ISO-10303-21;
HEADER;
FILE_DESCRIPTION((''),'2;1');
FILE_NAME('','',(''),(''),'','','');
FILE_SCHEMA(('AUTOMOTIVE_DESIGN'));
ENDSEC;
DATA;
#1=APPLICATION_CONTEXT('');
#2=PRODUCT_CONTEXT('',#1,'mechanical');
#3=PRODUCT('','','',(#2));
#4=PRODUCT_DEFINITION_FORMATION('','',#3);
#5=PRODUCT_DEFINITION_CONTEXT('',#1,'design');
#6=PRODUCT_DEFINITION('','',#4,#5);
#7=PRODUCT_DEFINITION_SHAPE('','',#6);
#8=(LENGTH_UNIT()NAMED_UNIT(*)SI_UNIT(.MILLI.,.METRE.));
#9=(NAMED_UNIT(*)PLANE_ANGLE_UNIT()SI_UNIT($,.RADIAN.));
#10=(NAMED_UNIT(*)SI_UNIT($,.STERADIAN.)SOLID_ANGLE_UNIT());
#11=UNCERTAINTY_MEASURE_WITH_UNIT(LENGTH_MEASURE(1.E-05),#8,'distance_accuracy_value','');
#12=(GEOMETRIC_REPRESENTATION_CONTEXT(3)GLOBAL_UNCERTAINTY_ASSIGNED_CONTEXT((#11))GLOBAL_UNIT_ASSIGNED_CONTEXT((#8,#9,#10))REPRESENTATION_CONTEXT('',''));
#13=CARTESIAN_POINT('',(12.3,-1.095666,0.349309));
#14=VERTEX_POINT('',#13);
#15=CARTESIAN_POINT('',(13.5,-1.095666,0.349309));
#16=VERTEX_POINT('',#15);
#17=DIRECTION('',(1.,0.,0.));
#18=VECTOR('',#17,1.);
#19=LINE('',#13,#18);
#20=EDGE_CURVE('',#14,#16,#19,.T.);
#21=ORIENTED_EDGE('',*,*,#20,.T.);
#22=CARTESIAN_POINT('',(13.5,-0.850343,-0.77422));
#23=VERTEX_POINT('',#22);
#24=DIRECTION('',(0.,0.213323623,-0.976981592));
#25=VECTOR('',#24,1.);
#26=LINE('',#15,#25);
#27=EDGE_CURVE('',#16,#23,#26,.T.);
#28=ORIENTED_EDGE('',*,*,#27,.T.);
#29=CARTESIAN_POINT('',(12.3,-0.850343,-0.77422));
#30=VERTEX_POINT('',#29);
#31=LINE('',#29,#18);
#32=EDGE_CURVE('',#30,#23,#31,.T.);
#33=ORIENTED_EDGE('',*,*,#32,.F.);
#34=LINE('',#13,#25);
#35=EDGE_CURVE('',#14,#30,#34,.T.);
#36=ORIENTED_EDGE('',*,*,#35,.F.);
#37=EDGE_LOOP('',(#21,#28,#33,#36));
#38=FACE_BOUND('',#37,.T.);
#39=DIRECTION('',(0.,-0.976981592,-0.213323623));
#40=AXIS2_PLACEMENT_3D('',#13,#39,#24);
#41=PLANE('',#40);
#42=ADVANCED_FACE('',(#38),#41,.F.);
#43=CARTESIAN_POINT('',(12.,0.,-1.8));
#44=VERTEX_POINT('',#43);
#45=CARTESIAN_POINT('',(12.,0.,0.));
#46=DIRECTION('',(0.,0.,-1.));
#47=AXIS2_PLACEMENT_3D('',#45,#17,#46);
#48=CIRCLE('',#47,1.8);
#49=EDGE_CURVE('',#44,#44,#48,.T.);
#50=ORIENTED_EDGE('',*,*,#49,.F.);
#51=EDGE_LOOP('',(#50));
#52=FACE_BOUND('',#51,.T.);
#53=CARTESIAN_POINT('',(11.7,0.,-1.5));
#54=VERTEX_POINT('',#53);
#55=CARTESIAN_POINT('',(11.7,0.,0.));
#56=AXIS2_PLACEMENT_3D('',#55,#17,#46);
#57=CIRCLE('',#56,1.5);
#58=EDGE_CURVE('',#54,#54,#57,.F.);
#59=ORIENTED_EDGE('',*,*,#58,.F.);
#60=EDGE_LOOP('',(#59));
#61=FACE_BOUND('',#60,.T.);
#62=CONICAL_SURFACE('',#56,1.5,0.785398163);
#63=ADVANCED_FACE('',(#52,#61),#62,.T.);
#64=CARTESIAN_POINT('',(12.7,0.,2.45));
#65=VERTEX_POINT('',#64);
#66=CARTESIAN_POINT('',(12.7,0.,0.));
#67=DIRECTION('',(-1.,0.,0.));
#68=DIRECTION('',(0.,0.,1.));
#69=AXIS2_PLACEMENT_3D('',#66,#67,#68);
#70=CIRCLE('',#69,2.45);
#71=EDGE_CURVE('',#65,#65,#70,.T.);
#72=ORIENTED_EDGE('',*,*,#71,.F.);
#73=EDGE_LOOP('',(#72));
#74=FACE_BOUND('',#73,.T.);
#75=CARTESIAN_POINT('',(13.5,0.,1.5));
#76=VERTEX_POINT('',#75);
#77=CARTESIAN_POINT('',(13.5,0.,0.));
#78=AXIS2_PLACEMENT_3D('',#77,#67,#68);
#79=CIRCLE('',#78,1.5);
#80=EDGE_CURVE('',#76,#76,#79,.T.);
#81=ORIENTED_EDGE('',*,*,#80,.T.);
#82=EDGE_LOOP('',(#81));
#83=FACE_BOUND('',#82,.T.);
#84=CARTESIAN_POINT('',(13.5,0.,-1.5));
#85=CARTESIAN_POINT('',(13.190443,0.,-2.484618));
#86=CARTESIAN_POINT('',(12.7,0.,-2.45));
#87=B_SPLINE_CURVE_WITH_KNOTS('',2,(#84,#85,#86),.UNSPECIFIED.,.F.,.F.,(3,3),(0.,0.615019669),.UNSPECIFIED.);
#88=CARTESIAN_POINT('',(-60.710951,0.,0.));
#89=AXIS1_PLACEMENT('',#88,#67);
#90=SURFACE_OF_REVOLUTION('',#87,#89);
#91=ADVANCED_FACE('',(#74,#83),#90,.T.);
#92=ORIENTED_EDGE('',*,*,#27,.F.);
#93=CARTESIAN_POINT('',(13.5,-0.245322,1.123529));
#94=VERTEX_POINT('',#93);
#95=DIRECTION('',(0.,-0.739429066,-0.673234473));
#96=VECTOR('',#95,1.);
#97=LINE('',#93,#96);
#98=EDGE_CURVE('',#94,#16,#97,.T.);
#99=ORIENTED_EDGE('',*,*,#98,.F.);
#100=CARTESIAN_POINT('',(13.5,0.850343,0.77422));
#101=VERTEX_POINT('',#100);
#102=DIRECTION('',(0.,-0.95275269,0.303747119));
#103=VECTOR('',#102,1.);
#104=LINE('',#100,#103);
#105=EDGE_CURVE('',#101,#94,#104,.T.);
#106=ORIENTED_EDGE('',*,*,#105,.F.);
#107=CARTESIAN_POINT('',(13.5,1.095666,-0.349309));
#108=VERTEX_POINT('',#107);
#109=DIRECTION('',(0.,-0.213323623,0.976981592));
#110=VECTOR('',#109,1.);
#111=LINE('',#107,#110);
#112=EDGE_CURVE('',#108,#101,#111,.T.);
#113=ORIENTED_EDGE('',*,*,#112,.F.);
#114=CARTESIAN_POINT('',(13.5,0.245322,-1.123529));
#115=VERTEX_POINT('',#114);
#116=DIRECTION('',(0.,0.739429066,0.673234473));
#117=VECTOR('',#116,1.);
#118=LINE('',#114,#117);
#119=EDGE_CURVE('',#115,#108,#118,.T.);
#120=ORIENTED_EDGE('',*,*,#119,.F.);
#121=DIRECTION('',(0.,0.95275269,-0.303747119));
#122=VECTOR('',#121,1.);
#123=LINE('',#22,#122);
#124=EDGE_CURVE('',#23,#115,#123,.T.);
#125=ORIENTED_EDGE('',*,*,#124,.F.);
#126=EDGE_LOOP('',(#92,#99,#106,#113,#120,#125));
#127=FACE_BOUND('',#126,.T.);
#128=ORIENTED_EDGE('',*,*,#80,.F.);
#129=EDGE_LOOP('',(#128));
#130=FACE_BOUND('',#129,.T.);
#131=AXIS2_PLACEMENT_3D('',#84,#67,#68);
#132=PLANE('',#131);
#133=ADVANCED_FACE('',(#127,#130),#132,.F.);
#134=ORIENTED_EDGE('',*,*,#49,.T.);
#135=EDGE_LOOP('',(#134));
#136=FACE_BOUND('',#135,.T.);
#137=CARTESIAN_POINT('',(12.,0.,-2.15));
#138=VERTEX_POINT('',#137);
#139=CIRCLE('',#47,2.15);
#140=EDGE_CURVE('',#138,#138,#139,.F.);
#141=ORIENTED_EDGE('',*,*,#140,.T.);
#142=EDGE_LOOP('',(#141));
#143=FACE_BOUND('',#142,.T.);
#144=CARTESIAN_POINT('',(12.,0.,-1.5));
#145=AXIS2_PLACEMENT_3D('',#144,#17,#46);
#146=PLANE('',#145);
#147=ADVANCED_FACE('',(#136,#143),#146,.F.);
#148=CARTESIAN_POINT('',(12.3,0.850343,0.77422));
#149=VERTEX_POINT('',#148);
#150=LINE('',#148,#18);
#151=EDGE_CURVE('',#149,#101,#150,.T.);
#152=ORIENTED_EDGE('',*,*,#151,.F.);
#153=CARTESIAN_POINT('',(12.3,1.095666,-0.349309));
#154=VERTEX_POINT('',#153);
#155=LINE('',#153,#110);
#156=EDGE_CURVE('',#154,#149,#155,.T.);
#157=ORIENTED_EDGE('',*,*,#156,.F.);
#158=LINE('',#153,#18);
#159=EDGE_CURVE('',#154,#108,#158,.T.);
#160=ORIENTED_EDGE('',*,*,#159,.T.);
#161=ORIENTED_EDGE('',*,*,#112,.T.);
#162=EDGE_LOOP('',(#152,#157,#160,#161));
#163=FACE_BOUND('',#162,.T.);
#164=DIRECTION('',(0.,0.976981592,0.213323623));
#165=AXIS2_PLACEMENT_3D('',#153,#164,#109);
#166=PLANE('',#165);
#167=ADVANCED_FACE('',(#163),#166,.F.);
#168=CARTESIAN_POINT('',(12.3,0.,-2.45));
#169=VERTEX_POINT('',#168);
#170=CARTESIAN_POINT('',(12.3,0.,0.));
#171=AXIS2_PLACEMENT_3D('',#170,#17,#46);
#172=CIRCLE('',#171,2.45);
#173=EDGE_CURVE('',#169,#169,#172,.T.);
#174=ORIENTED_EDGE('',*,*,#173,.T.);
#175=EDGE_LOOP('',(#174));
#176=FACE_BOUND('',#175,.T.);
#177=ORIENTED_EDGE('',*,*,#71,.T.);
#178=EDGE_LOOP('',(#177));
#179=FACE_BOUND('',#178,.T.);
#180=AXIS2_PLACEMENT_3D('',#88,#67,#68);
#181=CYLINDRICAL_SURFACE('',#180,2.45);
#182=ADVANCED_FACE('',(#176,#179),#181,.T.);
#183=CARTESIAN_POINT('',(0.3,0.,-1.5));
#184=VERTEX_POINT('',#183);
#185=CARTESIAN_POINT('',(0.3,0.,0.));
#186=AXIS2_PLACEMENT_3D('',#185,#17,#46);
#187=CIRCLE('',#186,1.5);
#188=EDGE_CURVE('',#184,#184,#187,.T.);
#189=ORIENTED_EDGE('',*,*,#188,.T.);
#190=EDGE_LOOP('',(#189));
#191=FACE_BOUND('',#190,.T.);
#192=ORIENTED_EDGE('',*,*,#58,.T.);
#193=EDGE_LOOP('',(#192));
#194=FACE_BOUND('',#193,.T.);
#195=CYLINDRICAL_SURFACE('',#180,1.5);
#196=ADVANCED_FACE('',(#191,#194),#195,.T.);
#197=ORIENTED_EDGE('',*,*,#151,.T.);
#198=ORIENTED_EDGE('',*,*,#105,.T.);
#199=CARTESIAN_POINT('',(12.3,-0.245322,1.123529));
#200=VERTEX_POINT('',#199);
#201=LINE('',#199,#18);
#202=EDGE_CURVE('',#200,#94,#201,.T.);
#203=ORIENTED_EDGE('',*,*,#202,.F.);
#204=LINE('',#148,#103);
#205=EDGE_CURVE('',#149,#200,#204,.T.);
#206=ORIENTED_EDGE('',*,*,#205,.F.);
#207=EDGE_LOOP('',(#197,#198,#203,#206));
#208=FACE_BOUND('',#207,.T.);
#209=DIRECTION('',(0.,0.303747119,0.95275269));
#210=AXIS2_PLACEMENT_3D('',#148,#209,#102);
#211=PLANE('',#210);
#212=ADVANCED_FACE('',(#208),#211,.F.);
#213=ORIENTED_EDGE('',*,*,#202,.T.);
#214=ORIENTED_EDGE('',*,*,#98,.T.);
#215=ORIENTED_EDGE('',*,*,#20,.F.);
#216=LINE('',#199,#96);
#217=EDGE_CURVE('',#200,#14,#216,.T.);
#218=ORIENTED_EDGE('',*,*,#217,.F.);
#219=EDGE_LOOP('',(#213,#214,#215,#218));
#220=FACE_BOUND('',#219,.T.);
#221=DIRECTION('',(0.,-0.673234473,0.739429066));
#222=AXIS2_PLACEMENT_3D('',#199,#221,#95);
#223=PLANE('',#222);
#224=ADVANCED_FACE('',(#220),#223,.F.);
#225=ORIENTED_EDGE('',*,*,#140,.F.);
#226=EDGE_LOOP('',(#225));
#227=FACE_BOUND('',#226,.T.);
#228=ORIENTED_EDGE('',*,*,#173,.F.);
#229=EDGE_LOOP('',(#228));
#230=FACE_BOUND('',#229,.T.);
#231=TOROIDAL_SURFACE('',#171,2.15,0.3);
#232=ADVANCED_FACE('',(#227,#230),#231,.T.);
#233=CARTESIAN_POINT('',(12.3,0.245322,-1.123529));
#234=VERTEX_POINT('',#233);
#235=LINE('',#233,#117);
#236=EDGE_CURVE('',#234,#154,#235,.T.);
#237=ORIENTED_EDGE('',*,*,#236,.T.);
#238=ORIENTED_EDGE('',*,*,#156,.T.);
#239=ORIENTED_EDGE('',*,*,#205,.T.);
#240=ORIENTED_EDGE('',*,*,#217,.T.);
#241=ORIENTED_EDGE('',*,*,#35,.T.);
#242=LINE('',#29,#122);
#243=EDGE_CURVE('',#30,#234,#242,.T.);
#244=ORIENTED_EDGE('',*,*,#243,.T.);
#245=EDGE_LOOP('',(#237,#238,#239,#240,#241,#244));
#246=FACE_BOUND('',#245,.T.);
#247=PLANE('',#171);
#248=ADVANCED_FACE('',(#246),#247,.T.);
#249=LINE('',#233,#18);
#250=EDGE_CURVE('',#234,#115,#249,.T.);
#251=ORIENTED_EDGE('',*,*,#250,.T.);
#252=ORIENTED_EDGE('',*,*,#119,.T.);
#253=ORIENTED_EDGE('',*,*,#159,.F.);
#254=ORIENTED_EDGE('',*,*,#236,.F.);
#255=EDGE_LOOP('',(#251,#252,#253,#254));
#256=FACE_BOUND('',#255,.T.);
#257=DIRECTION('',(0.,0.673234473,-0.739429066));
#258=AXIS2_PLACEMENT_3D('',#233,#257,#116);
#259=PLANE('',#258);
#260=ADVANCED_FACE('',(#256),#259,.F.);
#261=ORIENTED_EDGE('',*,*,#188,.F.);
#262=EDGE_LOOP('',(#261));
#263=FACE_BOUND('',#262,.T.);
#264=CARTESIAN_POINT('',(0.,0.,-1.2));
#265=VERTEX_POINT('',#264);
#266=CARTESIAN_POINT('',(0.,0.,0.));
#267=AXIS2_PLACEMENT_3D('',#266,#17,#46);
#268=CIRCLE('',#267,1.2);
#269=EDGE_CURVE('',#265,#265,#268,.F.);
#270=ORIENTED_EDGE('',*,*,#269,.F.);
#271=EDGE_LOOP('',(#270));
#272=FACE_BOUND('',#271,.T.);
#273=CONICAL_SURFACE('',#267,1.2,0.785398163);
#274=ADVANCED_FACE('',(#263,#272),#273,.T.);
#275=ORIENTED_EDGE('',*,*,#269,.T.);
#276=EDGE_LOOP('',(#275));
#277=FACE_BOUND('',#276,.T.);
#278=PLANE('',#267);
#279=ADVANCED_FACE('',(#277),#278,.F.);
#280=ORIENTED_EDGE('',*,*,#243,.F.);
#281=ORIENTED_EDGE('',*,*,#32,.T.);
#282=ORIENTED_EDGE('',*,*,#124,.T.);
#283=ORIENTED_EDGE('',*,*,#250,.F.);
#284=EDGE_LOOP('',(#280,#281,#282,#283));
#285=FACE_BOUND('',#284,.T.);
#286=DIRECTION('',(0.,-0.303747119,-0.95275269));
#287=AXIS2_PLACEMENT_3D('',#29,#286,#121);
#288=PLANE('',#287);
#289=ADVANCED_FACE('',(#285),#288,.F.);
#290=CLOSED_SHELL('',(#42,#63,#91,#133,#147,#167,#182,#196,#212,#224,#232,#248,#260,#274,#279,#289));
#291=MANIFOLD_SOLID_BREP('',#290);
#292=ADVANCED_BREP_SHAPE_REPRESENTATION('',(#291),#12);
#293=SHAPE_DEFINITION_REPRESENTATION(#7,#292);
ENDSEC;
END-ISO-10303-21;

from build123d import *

# Parameters (mm, degrees)
CUT_EXTRUDE1_DEPTH = 1.2
CHAMFER1_SIZE      = 0.3
FILLET1_R          = 0.3


with BuildPart() as part:
    # Sketch1 → Revolve1 (revolve)
    with BuildSketch(Plane(origin=(0, 0, 0), x_dir=(1, 0, 0), z_dir=(0, 1, 0)), mode=Mode.PRIVATE) as revolve1_sk:
        with BuildLine():
            Line((0, 0), (0, 1.5))
            Line((0, 1.5), (12, 1.5))
            Line((12, 1.5), (12, 2.45))
            Line((12, 2.45), (12.7, 2.45))
            add(Edge.make_bspline(
                [(12.7, 2.45), (13.190442748, 2.484618279), (13.5, 1.5)],
                knots=[0, 0, 0, 0.615019669, 0.615019669, 0.615019669], degree=2))
            Line((13.5, 1.5), (13.5, 0))
            Line((13.5, 0), (0, 0))
        make_face()
    revolve(revolve1_sk.sketch.rotate(Axis((-60.710951108, 0, 0), (1, 0, 0)), 180), axis=Axis((-60.710951108, 0, 0), (1, 0, 0)))

    # Sketch2 → Cut-Extrude1 (cut)
    with BuildSketch(Plane(origin=(13.5, 0, 0), x_dir=(0, 0, -1), z_dir=(1, 0, 0))):
        Polygon((0.349309187, 1.095665593), (-0.774219644, 0.850343426), (-1.123528831, -0.245322167), (-0.349309187, -1.095665593), (0.774219644, -0.850343426), (1.123528831, 0.245322167), align=None)
    extrude(amount=-CUT_EXTRUDE1_DEPTH, mode=Mode.SUBTRACT)

    # Chamfer1
    chamfer1_edges = [part.edges().sort_by_distance(p)[0] for p in [
        (0, 0, -1.5),
        (12, 0, -1.5),
    ]]
    chamfer(chamfer1_edges, length=CHAMFER1_SIZE)

    # Fillet1
    fillet1_edges = [part.edges().sort_by_distance(p)[0] for p in [
        (12, 0, -2.45),
    ]]
    fillet(fillet1_edges, radius=FILLET1_R)


solid = part.part
